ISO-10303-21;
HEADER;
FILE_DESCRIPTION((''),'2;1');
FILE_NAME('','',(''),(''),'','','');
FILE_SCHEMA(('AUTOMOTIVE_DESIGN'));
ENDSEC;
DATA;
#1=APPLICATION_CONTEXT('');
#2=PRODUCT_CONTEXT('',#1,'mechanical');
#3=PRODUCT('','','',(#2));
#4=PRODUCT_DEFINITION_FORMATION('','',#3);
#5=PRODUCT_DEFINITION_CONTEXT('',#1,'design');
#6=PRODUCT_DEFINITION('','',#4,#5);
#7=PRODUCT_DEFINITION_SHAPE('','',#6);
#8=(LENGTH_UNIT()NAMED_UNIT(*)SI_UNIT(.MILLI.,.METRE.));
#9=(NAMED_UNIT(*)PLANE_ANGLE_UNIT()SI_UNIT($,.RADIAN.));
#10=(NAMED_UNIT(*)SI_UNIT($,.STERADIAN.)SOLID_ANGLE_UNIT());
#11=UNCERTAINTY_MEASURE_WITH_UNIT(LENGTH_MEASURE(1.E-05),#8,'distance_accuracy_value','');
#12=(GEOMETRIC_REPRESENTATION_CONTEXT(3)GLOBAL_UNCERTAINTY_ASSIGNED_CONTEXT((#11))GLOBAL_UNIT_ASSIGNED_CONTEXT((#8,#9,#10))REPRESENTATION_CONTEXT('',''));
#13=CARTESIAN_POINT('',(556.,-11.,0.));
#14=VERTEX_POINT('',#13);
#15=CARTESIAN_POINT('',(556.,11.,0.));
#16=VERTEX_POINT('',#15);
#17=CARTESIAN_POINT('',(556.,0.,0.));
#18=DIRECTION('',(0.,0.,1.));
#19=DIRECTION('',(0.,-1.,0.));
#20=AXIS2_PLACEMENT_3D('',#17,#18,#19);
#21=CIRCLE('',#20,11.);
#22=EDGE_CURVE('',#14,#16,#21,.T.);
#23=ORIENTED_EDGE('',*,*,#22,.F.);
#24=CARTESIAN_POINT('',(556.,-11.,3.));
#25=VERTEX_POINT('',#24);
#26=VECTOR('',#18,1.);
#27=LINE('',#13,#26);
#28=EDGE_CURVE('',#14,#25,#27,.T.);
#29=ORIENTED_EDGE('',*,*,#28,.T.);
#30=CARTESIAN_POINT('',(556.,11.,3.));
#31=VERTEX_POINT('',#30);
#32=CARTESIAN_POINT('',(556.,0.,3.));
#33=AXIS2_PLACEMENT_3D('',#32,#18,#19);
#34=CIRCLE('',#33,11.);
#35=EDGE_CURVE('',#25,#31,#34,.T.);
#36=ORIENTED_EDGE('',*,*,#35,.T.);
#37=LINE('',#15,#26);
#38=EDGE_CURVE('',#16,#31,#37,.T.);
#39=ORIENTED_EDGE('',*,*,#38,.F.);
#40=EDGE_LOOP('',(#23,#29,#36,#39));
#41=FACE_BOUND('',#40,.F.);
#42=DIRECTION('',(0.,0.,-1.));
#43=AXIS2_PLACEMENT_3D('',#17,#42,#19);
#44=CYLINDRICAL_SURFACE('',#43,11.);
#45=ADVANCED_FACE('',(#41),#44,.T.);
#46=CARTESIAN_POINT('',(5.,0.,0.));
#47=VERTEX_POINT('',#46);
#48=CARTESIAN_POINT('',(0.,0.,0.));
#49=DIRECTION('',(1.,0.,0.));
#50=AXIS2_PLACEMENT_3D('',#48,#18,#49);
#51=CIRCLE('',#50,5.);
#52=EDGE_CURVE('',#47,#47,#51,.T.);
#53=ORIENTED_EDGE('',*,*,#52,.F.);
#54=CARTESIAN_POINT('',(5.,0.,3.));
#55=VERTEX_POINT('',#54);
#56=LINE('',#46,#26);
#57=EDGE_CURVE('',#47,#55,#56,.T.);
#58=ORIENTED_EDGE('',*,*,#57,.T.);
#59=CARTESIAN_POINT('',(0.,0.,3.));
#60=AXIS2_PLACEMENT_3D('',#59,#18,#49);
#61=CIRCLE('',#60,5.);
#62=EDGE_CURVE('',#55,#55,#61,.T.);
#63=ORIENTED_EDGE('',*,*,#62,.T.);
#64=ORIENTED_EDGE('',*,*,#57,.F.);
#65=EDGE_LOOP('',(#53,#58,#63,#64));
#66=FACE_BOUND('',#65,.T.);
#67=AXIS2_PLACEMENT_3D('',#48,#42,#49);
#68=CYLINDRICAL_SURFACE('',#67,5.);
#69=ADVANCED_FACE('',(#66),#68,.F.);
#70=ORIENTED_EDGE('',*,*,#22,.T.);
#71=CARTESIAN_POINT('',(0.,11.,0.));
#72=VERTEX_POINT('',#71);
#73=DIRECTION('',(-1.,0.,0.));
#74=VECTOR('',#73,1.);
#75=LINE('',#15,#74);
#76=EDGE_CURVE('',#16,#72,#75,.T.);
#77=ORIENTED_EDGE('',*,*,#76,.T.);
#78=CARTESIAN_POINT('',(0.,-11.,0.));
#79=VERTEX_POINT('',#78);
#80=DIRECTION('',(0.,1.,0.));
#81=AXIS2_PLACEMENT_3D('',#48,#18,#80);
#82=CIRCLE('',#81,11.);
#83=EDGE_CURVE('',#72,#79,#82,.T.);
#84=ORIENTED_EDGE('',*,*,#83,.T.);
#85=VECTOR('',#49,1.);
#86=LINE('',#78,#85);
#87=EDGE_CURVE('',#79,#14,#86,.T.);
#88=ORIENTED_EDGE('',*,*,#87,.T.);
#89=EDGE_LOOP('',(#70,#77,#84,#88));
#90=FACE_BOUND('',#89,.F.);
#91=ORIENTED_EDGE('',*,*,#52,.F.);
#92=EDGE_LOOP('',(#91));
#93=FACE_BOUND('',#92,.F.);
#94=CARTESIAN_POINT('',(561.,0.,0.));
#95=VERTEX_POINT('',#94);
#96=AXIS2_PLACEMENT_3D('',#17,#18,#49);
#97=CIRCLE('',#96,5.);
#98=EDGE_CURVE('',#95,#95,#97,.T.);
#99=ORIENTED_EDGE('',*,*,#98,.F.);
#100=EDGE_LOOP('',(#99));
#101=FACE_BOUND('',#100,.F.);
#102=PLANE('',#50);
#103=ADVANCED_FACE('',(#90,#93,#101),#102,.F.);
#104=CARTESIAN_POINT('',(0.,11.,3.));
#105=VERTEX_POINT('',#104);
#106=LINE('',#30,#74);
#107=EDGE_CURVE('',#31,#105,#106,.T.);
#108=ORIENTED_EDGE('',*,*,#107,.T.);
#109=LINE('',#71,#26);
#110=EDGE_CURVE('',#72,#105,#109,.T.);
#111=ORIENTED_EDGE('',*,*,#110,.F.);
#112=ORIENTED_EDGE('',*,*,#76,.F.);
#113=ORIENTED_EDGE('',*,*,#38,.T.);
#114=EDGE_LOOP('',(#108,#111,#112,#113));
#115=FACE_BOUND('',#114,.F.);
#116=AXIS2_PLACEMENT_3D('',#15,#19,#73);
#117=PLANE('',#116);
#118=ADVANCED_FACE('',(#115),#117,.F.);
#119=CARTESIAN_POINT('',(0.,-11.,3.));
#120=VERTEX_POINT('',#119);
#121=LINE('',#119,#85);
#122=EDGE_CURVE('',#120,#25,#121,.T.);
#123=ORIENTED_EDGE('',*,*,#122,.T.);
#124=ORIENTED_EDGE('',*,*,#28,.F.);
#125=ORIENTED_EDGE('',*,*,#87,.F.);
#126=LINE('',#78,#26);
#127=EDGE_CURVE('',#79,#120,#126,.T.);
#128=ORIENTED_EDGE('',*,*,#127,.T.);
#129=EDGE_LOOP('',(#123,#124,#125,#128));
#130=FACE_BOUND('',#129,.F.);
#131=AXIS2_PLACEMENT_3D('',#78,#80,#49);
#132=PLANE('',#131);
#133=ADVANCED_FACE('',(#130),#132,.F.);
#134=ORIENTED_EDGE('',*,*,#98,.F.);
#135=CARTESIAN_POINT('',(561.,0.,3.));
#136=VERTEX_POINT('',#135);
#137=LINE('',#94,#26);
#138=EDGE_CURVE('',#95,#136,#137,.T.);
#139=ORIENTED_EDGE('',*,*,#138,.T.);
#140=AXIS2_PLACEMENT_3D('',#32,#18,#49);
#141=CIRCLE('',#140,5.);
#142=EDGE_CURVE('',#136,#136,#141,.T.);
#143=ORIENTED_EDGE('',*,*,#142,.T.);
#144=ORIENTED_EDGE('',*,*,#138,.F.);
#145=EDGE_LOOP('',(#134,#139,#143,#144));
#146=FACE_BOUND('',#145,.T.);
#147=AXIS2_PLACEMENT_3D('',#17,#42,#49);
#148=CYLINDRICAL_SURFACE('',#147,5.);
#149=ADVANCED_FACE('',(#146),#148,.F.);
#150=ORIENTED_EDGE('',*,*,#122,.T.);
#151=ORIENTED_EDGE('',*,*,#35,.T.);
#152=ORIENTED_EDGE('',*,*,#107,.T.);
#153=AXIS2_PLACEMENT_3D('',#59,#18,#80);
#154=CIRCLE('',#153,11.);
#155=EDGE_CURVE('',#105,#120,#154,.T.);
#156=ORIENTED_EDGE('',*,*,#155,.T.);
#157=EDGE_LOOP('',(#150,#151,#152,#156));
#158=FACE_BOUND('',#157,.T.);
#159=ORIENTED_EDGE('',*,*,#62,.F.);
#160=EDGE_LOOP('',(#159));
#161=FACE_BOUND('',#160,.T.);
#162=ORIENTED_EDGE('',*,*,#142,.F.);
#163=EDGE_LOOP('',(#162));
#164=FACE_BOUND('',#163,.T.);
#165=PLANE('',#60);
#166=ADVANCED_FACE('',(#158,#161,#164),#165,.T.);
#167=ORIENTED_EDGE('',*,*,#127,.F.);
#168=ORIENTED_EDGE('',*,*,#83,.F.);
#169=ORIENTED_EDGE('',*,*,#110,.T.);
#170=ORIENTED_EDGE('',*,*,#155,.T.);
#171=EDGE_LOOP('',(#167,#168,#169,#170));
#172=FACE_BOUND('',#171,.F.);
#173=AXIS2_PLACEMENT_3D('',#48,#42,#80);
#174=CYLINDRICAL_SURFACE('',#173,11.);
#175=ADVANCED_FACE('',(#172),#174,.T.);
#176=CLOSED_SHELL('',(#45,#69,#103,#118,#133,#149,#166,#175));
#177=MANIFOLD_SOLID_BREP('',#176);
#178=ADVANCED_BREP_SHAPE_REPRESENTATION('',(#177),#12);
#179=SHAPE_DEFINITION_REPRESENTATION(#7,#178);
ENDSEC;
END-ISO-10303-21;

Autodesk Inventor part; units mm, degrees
ref_plane "YZ Plane" through (0, 0, 0) normal (1, 0, 0) x (0, 1, 0)
ref_plane "XZ Plane" through (0, 0, 0) normal (0, 1, 0) x (-1, 0, 0)
ref_plane "XY Plane" through (0, 0, 0) normal (0, 0, 1) x (1, 0, 0)
sketch "Sketch1" plane through (0, 0, 0) normal (0, 0, 1) x (1, 0, 0)
  line L0 (0, 0) -> (556, 0) construction
  line L1 (0, -11) -> (556, -11)
  line L2 (556, 11) -> (0, 11)
  arc A0 (0, 11) -> (0, -11) centre (0, 0) ccw
  arc A1 (556, -11) -> (556, 11) centre (556, 0) ccw
  circle A2 centre (0, 0) radius 5
  circle A3 centre (556, 0) radius 5
  point P0 (278, 0)
  dimension "d0" = 556
  dimension "d1" = 10
  dimension "d2" = 22
extrude "Extrusion1" add sketch "Sketch1" along normal blind 3
properties part number "biela"
